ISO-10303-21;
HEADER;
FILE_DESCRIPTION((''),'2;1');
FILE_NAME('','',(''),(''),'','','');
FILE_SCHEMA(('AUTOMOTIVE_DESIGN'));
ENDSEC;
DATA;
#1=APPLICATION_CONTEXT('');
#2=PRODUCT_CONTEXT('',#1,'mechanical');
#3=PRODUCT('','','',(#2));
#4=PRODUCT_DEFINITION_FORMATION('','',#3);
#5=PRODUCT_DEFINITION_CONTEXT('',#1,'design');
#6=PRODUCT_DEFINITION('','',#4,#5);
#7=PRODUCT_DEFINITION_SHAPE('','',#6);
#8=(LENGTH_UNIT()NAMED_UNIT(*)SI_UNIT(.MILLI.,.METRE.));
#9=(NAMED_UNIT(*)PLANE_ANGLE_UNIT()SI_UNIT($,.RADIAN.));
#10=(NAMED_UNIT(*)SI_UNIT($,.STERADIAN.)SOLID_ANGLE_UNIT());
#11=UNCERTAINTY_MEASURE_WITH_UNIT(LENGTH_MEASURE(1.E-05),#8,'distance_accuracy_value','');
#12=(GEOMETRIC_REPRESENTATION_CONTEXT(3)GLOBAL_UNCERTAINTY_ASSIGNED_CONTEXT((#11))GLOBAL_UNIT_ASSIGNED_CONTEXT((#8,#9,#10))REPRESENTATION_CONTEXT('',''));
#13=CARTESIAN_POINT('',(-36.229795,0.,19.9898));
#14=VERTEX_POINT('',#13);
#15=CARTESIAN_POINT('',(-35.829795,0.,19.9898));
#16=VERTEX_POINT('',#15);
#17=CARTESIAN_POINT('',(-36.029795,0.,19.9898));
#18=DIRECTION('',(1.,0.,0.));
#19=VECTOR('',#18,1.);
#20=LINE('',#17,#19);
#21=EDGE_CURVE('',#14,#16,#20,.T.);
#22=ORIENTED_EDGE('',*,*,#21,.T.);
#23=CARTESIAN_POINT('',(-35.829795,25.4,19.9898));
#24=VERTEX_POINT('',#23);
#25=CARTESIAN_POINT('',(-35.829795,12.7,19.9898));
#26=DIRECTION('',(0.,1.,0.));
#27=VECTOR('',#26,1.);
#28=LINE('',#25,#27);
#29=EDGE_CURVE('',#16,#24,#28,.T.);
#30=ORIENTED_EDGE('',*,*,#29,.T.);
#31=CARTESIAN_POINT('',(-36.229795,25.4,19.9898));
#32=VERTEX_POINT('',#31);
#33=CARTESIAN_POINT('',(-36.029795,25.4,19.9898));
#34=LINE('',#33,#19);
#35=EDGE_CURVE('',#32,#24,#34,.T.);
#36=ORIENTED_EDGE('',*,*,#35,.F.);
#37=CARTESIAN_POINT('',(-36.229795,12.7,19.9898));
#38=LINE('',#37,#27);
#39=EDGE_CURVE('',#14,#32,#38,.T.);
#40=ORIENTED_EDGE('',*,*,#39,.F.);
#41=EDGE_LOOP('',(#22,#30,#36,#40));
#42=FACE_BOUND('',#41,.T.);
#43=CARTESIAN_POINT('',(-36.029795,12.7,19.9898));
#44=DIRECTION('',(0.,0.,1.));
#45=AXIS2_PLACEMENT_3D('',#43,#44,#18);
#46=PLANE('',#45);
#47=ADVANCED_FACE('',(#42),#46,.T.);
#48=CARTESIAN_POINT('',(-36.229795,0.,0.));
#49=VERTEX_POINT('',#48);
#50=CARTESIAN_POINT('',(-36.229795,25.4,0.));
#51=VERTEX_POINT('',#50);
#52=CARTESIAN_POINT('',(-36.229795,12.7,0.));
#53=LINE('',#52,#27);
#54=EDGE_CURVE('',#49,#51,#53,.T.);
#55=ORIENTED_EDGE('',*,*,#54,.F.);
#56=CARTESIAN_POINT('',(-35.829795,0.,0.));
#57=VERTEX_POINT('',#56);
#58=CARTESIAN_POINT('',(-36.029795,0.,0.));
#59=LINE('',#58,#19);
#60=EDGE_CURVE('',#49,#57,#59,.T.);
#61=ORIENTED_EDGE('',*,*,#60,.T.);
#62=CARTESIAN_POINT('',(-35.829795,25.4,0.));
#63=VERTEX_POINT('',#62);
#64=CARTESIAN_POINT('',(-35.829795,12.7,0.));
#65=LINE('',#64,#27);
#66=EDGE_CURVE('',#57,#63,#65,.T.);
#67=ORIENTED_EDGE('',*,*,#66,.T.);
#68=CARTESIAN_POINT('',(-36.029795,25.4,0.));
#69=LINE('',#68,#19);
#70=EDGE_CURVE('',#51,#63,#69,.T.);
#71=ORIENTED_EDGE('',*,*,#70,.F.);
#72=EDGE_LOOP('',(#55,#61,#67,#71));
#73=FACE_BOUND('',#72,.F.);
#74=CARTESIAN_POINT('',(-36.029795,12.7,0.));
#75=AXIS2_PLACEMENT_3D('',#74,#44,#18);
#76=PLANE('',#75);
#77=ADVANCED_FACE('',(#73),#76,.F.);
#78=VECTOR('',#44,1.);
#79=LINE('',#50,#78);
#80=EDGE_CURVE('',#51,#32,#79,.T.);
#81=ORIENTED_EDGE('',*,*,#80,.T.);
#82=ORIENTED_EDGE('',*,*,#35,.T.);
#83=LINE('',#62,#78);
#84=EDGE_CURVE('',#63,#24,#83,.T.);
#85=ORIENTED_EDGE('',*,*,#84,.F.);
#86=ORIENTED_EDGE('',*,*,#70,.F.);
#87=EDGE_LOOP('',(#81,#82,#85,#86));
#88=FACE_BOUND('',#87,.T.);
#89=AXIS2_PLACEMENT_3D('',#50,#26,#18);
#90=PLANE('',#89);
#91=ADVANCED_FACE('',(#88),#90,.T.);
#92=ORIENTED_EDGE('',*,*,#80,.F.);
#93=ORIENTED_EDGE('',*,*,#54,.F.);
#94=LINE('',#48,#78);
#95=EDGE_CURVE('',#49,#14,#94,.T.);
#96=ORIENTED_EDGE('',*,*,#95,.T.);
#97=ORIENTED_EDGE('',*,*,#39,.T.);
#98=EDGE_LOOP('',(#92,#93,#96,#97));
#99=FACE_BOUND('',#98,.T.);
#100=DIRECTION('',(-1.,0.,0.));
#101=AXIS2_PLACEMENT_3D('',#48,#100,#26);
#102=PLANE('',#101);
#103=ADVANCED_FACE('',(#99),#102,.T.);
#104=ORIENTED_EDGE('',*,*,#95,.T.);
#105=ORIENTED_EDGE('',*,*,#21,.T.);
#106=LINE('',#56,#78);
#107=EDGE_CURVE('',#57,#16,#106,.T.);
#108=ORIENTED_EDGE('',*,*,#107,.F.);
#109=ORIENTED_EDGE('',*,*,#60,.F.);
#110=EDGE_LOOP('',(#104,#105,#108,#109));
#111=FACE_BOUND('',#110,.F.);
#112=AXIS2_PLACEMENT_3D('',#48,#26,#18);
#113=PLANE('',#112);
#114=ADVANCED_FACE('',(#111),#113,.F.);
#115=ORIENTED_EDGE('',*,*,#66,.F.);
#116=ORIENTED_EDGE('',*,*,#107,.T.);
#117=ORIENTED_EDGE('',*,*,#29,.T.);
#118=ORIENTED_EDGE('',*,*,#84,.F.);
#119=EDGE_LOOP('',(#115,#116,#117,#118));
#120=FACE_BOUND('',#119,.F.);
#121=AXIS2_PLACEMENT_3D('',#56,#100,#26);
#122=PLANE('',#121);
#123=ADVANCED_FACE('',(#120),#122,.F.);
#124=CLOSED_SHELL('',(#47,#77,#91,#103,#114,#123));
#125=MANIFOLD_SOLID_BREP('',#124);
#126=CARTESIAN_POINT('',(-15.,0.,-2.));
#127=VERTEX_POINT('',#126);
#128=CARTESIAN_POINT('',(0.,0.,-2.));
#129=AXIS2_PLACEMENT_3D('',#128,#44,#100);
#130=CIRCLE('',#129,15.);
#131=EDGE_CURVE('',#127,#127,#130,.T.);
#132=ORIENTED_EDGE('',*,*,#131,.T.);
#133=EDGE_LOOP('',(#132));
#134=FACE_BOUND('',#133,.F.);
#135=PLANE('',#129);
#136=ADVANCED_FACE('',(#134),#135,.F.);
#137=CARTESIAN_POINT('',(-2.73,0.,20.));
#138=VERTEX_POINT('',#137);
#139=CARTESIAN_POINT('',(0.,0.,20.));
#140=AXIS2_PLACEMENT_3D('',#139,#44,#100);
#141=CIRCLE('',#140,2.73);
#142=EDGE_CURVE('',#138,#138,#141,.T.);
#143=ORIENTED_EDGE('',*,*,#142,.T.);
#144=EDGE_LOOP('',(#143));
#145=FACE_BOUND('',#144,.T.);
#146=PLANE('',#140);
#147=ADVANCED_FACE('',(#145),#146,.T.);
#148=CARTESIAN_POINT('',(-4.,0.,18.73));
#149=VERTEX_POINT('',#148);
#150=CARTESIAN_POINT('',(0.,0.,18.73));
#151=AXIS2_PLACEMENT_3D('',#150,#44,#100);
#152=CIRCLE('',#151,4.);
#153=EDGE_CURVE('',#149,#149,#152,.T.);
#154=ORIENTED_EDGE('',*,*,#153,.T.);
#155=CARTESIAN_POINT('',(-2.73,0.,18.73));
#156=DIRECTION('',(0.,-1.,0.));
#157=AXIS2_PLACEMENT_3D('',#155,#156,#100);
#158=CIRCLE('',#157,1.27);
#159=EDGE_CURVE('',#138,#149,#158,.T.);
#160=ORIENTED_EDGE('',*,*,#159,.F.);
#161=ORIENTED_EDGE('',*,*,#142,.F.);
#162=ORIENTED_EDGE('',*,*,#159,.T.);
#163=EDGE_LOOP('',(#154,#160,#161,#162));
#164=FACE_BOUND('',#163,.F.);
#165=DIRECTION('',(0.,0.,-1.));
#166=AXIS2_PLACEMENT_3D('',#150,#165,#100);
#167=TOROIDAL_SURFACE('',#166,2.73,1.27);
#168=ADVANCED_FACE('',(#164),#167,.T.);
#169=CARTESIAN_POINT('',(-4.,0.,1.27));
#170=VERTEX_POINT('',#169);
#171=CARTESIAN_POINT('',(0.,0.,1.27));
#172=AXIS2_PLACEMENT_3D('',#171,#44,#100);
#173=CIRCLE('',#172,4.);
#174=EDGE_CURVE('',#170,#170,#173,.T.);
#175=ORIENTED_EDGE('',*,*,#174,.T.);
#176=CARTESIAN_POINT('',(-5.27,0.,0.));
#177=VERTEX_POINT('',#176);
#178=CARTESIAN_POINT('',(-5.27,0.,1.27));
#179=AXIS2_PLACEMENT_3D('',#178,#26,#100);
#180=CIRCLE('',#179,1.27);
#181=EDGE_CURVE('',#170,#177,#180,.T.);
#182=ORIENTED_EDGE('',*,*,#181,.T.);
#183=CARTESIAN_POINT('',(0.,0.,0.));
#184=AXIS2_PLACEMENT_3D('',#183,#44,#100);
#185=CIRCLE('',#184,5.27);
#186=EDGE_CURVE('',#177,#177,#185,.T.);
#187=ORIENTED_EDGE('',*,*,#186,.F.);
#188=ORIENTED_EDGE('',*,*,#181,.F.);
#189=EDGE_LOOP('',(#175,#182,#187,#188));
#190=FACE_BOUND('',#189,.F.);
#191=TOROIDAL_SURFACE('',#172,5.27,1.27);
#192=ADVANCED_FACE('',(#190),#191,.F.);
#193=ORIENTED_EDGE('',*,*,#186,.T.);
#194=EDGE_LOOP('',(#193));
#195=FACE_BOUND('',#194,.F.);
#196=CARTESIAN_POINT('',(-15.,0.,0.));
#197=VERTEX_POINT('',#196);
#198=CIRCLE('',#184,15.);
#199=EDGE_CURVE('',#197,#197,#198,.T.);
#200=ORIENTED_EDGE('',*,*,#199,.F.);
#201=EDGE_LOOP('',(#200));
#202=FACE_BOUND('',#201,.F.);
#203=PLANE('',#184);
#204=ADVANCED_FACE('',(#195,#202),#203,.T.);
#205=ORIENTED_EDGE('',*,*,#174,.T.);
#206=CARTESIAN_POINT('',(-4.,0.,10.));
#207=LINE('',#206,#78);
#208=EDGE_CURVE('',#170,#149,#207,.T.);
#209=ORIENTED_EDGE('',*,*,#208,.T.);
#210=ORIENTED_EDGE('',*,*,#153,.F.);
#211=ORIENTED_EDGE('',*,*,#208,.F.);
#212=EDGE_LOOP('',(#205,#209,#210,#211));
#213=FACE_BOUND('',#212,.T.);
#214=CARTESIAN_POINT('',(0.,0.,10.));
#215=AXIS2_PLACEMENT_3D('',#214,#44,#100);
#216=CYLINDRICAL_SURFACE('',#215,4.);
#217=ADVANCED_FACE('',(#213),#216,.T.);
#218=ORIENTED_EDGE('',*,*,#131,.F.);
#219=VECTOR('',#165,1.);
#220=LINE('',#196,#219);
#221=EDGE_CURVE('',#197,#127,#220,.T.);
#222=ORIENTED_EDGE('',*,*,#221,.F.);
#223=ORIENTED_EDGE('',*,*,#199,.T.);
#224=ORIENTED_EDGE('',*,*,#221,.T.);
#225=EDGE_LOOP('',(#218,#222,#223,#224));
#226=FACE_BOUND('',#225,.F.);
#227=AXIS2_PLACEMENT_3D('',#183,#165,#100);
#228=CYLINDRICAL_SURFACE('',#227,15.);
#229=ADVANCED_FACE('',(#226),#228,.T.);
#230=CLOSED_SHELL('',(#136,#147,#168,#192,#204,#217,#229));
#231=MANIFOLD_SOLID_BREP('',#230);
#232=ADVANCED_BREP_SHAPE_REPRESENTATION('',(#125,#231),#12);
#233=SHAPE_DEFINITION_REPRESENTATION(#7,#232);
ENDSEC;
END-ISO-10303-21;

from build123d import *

# Parameters (mm, degrees)
F0_W     = 4
F0_H     = 20
F2_R     = 1.27
F3_W     = 0.4
F3_H     = 25.4
F4_DEPTH = 19.9898


with BuildPart() as f1:
    # F0 (on Front) → F1 (revolve)
    with BuildSketch(Plane.XZ):
        Polygon((0, -2), (0, 0), (-4, 0), (-15, 0), (-15, -2), align=None)
        with Locations((-2, 10)):
            Rectangle(F0_W, F0_H)
    revolve(axis=Axis((0, 0, 10), (0, 0, 1)))

    # F2
    f2_edges = [f1.edges().sort_by_distance(p)[0] for p in [
        (4, 0, 20),
        (4, 0, 0),
    ]]
    fillet(f2_edges, radius=F2_R)


with BuildPart() as f4:
    # F3 (on Top) → F4 (new body)
    with BuildSketch(Plane.XY):
        with Locations((-36.029795, 12.7)):
            Rectangle(F3_W, F3_H)
    extrude(amount=F4_DEPTH)


solid = Compound([f1.part, f4.part])
